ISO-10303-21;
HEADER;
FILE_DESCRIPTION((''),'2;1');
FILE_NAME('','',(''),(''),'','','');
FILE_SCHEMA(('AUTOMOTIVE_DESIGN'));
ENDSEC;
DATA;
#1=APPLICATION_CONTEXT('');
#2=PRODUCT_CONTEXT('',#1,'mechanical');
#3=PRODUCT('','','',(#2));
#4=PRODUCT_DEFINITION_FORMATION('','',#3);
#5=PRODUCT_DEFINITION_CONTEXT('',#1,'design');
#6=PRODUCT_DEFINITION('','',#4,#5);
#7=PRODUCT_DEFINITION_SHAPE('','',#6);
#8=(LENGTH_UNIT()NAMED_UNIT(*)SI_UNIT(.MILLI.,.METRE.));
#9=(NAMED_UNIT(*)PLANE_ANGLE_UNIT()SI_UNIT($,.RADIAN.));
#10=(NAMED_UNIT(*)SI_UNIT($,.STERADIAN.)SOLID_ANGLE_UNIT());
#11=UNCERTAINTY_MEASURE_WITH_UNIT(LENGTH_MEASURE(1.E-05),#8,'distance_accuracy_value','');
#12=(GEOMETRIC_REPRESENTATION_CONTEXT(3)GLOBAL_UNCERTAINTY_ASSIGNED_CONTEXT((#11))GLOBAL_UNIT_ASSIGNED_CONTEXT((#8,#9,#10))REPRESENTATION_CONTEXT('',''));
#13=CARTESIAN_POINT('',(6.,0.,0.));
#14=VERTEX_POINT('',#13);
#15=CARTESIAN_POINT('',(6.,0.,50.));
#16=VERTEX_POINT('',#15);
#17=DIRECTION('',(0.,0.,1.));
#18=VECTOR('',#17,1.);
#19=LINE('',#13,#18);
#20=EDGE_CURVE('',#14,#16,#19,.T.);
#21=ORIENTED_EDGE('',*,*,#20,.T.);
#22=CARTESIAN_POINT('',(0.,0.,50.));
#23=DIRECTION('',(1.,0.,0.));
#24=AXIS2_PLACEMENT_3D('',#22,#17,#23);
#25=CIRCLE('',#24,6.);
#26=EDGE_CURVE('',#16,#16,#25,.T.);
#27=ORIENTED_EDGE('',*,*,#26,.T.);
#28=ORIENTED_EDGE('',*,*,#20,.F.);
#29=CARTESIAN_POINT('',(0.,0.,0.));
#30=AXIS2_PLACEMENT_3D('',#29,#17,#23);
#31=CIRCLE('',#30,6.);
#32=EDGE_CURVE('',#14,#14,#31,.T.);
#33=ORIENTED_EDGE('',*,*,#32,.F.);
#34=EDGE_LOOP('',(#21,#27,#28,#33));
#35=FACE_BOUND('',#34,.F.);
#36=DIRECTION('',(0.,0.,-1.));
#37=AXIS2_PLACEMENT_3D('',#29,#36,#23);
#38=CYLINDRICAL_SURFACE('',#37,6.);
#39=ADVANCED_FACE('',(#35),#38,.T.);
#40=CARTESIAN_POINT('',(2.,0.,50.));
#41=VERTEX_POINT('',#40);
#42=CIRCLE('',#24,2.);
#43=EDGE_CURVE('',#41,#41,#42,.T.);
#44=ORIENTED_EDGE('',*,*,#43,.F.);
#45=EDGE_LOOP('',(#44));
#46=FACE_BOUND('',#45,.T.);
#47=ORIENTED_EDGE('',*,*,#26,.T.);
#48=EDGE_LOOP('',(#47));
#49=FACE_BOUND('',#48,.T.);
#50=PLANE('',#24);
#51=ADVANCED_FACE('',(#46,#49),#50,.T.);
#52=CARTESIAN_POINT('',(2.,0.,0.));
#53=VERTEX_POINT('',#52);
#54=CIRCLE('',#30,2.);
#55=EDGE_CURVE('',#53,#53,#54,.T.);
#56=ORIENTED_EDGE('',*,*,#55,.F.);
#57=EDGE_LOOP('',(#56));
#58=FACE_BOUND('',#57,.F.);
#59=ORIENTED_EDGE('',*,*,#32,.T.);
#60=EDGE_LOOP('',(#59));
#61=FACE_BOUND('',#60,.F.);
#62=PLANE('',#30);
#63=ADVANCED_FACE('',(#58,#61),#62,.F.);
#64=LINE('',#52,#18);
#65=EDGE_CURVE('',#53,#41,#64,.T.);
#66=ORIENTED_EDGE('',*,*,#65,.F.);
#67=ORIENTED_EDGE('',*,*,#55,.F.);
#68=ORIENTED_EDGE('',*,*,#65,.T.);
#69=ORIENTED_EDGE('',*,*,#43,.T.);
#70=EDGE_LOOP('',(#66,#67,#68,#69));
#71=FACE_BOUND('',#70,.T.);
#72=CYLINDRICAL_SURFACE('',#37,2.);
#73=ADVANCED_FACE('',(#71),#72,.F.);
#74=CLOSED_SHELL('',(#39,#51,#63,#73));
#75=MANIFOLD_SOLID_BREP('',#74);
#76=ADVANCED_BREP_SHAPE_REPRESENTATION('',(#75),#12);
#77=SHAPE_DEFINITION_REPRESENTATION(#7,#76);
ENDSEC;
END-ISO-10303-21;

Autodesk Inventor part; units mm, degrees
ref_plane "YZ Plane" through (0, 0, 0) normal (1, 0, 0) x (0, 1, 0)
ref_plane "XZ Plane" through (0, 0, 0) normal (0, 1, 0) x (-1, 0, 0)
ref_plane "XY Plane" through (0, 0, 0) normal (0, 0, 1) x (1, 0, 0)
sketch "Sketch1" plane through (0, 0, 0) normal (0, 0, 1) x (1, 0, 0)
  circle A0 centre (0, 0) radius 2
  circle A1 centre (0, 0) radius 6
  dimension "d0" = 4
  dimension "d1" = 12
extrude "Extrusion1" add sketch "Sketch1" along normal blind 50
properties part number "DPSSLaser" material "Aluminum 6061"
